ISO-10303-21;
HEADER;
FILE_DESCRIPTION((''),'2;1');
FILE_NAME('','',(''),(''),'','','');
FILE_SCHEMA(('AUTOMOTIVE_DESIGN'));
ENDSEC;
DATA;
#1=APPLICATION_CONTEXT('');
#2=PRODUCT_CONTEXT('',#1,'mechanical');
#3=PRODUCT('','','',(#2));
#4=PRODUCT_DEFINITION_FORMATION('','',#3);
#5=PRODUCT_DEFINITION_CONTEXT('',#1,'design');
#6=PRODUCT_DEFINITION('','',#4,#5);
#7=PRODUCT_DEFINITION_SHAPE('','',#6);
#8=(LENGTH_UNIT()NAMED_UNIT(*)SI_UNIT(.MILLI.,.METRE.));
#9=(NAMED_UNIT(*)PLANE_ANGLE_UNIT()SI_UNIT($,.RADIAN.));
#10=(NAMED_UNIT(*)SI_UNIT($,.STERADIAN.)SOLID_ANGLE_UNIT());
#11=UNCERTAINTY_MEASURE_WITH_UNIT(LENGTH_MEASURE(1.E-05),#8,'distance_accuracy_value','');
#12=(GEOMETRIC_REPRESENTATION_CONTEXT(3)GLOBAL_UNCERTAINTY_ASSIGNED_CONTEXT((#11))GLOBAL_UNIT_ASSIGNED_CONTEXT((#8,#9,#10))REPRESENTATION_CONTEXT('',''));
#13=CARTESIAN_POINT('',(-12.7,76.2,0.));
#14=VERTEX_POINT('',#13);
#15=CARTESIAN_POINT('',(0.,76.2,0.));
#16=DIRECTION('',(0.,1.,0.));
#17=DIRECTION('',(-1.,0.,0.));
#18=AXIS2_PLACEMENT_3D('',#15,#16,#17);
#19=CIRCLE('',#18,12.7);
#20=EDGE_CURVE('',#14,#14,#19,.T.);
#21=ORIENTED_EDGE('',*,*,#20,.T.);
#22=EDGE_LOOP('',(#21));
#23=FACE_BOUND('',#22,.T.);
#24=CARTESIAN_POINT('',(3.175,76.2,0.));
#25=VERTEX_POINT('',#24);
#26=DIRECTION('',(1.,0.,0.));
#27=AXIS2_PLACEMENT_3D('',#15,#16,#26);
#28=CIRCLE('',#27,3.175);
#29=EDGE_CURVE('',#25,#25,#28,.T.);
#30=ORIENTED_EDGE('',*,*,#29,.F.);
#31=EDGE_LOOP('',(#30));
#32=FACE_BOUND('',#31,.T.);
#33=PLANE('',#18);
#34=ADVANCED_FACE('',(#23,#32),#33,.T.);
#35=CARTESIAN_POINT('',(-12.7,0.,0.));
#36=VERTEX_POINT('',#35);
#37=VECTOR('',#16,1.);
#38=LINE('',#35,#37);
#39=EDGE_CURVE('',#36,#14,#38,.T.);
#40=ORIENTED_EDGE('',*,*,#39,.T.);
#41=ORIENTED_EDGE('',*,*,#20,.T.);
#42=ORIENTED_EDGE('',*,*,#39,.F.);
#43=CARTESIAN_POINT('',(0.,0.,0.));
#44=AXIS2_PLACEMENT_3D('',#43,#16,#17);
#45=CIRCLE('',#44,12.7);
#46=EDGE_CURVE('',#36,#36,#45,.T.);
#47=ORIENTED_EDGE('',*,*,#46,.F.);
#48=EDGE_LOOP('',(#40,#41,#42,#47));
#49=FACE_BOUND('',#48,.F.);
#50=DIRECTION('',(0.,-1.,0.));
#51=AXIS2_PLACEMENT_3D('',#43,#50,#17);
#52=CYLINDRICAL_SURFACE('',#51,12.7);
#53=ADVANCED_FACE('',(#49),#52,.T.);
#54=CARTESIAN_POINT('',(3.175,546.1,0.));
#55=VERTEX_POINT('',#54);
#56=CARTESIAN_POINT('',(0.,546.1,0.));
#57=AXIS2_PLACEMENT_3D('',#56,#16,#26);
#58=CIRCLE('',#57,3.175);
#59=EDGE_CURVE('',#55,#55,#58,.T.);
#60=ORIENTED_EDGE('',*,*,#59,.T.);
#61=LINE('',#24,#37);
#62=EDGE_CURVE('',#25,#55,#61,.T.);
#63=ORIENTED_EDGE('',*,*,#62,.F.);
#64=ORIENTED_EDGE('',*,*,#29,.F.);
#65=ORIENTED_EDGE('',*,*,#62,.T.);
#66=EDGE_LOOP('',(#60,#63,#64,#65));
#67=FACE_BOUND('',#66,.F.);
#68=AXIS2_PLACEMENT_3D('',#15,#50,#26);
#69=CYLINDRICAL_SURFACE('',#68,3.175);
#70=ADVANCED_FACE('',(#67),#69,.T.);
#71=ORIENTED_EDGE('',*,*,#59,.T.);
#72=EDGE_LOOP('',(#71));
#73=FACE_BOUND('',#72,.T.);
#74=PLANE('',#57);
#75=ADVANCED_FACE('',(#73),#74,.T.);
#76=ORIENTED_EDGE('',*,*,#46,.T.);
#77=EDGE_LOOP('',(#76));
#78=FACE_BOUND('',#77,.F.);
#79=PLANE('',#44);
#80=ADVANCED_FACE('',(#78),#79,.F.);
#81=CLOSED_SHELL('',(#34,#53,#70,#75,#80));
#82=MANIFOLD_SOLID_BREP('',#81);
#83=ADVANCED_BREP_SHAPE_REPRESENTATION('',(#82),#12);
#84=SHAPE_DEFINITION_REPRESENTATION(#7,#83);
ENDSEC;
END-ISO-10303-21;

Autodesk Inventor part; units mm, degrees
ref_plane "YZ Plane" through (0, 0, 0) normal (1, 0, 0) x (0, 1, 0)
ref_plane "XZ Plane" through (0, 0, 0) normal (0, 1, 0) x (-1, 0, 0)
ref_plane "XY Plane" through (0, 0, 0) normal (0, 0, 1) x (1, 0, 0)
sketch "Sketch1" plane through (0, 0, 0) normal (0, 1, 0) x (-1, 0, 0)
  circle A0 centre (0, 0) radius 12.7
  dimension "d0" = 25.4
extrude "Extrusion1" add sketch "Sketch1" along normal blind 76.2
sketch "Sketch2" plane through (0, 76.2, 0) normal (0, 1, 0) x (1, 0, 0)
  circle A0 centre (0, 0) radius 3.175
  dimension "d3" = 6.35
extrude "Extrusion2" add sketch "Sketch2" along normal blind 469.9
sketch "Sketch3" plane through (0, 0, 0) normal (0, -1, 0) x (1, 0, 0)
  point P0 (0, 0)
properties part number "motor and screw"
